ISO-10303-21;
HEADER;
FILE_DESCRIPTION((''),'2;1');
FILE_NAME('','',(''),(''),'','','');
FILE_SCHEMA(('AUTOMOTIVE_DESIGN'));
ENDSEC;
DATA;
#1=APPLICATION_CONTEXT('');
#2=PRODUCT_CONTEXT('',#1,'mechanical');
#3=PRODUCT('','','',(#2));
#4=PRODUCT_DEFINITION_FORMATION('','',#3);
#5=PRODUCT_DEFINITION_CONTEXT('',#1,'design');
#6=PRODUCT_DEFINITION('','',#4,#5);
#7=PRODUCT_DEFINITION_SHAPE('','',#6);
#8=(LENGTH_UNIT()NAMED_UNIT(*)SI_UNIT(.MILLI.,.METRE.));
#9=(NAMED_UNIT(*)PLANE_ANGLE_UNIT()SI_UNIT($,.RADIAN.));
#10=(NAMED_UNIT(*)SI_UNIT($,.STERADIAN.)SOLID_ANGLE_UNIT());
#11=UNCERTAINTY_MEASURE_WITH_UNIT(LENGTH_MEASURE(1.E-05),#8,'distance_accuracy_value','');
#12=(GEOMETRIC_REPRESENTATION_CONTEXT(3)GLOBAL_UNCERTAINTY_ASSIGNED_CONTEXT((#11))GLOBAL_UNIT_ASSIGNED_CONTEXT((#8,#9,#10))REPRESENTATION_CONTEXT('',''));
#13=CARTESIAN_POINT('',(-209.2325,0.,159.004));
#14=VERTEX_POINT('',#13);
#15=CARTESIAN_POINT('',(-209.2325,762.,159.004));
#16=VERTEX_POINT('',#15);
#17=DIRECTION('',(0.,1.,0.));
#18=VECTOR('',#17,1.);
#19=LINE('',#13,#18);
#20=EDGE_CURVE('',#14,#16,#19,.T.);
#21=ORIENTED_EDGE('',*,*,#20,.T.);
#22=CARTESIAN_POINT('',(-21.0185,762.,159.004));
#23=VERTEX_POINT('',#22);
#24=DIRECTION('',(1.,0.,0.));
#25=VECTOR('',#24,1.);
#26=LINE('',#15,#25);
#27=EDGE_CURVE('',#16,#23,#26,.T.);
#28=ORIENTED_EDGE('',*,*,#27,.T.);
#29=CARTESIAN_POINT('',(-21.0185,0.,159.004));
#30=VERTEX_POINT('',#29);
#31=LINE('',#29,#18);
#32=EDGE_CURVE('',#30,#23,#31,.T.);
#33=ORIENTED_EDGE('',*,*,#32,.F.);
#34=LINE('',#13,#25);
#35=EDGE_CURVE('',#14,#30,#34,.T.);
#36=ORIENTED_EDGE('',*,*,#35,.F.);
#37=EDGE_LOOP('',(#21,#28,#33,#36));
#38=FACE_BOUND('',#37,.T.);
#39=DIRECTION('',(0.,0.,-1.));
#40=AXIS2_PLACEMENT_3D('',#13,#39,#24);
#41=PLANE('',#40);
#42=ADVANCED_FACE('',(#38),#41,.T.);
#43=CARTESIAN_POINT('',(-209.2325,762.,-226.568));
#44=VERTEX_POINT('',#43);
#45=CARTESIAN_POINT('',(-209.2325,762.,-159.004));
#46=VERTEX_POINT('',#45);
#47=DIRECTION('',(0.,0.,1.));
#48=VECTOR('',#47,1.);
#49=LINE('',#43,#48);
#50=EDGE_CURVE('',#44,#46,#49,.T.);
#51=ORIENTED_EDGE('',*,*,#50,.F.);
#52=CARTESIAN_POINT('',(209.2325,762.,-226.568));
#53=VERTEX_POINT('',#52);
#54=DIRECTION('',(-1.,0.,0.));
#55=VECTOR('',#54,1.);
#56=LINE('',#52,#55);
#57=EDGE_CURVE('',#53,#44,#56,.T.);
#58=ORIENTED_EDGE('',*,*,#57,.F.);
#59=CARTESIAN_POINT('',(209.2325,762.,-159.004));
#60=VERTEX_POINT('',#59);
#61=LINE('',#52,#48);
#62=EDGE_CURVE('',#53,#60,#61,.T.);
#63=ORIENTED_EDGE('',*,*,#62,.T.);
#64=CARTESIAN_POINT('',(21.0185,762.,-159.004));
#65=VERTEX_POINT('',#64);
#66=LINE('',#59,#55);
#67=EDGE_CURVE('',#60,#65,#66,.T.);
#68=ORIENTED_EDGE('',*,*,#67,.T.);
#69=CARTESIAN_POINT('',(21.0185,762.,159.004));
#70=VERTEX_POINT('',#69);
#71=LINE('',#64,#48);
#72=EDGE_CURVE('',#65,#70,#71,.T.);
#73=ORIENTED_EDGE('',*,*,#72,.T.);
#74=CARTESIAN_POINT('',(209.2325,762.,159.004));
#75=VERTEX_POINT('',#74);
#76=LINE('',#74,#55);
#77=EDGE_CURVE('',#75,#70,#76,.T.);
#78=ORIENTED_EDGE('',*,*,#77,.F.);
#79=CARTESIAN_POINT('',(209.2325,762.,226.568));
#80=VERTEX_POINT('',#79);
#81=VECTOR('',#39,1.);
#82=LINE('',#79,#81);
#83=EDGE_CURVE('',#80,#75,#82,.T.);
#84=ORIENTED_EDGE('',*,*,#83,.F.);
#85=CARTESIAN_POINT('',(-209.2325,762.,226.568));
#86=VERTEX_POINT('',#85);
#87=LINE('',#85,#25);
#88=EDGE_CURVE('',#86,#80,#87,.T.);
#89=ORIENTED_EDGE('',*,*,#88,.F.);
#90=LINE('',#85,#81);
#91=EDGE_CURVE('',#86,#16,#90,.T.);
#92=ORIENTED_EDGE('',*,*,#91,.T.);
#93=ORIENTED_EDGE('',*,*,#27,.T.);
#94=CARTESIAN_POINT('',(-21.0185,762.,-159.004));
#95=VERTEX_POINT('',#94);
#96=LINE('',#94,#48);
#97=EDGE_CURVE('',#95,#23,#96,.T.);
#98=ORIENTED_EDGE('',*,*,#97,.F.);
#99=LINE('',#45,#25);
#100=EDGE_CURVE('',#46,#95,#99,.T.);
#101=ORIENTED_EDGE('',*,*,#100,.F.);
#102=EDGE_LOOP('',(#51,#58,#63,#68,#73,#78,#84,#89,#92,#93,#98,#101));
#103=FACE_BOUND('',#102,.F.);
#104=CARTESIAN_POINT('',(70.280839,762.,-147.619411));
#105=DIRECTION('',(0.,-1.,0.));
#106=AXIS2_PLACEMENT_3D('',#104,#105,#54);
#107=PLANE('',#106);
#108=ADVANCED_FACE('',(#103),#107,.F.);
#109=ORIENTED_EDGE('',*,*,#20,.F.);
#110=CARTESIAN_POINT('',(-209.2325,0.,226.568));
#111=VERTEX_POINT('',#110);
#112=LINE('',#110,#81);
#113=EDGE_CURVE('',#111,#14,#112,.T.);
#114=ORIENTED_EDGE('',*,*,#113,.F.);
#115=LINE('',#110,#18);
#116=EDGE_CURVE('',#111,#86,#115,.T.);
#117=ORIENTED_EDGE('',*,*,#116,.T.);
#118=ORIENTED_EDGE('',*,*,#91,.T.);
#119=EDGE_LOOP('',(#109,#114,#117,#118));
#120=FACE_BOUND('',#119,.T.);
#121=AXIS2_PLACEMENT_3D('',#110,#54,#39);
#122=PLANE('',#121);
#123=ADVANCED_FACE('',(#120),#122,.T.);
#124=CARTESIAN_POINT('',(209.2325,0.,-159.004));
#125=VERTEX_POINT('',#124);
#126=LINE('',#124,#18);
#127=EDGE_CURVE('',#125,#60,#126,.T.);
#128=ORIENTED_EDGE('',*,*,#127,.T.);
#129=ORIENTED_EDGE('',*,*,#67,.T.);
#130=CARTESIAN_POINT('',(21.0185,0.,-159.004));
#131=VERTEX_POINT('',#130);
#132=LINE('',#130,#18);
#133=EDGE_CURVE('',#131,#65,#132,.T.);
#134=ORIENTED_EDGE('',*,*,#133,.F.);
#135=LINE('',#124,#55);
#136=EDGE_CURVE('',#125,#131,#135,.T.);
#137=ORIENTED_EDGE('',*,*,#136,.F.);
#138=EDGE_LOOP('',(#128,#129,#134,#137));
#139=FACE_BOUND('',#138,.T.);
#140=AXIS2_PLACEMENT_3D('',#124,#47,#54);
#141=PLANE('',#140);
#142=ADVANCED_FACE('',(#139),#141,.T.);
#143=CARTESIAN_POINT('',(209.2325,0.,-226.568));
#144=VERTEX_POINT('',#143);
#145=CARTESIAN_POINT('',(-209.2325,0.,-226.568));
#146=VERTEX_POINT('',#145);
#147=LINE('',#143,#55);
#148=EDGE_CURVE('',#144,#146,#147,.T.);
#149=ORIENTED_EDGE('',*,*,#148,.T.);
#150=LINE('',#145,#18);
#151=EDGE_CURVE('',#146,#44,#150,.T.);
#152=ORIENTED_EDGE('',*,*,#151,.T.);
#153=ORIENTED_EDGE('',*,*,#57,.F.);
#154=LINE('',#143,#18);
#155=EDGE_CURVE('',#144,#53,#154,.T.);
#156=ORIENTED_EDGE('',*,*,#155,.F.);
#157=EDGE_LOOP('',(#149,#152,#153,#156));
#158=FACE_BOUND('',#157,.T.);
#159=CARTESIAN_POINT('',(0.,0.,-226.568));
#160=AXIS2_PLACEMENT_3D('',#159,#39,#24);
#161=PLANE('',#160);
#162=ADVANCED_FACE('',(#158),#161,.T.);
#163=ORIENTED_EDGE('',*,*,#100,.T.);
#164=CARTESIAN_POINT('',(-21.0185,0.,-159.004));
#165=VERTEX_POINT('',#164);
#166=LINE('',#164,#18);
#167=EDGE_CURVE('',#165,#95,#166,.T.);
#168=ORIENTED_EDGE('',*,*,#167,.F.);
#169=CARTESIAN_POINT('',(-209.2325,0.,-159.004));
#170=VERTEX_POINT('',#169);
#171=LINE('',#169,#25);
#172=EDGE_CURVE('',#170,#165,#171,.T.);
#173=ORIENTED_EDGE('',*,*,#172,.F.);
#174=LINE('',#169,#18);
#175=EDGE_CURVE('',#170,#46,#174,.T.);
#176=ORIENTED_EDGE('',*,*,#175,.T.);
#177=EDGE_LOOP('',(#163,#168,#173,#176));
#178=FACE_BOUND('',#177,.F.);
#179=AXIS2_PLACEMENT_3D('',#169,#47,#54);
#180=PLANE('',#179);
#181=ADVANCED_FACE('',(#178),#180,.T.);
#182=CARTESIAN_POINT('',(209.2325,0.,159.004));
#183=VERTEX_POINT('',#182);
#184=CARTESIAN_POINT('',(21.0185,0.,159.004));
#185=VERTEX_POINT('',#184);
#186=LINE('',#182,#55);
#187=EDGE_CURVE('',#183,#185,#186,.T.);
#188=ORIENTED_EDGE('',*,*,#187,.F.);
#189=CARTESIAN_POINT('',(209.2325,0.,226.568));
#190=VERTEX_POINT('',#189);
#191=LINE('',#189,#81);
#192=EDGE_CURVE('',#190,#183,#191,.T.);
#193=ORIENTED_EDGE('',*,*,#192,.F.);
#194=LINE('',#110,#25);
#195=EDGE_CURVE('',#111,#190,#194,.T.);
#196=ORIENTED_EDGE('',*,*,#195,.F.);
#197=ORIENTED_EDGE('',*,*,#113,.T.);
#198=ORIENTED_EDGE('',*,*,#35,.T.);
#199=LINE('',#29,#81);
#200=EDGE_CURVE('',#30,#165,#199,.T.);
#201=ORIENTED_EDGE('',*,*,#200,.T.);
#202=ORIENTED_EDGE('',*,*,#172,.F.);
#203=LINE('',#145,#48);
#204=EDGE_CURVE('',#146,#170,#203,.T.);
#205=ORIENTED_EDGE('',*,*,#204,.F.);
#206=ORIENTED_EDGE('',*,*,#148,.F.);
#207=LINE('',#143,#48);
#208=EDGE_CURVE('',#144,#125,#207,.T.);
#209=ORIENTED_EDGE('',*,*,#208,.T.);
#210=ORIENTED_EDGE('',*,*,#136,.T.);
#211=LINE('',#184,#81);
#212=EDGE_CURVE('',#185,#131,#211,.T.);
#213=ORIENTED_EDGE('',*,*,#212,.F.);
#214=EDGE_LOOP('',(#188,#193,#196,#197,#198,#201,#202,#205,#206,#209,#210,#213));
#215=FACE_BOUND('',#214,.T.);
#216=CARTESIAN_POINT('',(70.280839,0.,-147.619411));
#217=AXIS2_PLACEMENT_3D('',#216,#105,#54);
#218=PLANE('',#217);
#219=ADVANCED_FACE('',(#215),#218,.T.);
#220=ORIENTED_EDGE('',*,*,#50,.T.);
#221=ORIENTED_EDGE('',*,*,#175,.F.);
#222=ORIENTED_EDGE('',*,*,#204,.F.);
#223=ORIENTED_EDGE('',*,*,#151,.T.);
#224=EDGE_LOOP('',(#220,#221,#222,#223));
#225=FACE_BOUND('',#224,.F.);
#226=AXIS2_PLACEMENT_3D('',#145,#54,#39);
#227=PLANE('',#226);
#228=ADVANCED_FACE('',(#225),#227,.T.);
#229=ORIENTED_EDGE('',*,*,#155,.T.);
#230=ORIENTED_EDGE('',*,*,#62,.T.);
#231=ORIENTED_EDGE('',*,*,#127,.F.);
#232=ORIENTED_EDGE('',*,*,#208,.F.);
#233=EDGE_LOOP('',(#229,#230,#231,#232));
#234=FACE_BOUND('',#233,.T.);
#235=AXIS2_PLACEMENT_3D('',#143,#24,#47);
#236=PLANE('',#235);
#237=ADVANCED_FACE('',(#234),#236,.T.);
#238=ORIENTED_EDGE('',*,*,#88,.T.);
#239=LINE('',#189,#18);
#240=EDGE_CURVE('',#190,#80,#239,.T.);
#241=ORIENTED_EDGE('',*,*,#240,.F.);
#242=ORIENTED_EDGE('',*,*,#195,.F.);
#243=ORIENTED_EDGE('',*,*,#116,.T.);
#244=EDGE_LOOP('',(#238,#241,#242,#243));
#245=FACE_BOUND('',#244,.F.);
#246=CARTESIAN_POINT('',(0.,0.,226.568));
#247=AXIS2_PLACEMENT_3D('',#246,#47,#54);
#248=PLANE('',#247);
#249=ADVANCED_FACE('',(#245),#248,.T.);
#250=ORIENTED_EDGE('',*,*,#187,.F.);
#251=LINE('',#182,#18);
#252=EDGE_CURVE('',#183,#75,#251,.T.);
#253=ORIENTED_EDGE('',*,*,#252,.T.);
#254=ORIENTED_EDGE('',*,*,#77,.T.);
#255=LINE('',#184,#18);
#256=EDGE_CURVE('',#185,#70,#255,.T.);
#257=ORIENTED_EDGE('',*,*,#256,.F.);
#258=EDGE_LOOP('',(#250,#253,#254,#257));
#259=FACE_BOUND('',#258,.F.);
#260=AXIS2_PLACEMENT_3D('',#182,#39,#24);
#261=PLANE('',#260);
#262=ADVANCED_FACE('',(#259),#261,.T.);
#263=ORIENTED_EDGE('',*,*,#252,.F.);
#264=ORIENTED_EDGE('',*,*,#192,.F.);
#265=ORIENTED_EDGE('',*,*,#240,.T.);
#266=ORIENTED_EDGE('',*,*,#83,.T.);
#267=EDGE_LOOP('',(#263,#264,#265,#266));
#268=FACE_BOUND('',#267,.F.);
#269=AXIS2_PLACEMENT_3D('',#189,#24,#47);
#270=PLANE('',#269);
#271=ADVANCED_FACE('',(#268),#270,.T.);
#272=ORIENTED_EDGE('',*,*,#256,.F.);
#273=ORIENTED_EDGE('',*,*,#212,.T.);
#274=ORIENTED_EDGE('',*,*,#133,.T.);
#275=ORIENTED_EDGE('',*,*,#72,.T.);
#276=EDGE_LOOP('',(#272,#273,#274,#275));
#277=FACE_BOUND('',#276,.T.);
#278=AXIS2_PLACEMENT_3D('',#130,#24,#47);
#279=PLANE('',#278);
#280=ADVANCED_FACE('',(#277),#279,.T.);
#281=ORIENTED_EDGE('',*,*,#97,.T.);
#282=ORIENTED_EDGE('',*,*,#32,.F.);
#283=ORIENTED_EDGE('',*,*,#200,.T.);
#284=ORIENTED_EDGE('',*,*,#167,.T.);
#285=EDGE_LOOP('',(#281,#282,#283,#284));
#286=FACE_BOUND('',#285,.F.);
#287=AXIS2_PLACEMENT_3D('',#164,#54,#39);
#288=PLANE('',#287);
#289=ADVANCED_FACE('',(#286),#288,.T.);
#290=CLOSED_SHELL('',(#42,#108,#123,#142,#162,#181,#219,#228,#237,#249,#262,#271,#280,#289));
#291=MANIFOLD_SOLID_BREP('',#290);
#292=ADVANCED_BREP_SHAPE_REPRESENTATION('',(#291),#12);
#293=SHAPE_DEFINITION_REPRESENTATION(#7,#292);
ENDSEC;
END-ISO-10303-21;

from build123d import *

# Parameters (mm, degrees)
F1_DEPTH = 762


with BuildPart() as f1:
    # F0 (on Front) → F1 (new body)
    with BuildSketch(Plane.XZ):
        Polygon((-21.0185, 0), (0, 0), (0, 226.568), (-209.2325, 226.568), (-209.2325, 159.004), (-21.0185, 159.004), align=None)
    extrude(amount=-F1_DEPTH)

    # F2: F1 across plane


with BuildPart() as f1_1:
    add(f1.part)
    add(f1.part.mirror(Plane.XY))

    # F3: F1 across plane


with BuildPart() as f1_2:
    add(f1_1.part)
    add(f1_1.part.mirror(Plane.YZ))


solid = f1_2.part
